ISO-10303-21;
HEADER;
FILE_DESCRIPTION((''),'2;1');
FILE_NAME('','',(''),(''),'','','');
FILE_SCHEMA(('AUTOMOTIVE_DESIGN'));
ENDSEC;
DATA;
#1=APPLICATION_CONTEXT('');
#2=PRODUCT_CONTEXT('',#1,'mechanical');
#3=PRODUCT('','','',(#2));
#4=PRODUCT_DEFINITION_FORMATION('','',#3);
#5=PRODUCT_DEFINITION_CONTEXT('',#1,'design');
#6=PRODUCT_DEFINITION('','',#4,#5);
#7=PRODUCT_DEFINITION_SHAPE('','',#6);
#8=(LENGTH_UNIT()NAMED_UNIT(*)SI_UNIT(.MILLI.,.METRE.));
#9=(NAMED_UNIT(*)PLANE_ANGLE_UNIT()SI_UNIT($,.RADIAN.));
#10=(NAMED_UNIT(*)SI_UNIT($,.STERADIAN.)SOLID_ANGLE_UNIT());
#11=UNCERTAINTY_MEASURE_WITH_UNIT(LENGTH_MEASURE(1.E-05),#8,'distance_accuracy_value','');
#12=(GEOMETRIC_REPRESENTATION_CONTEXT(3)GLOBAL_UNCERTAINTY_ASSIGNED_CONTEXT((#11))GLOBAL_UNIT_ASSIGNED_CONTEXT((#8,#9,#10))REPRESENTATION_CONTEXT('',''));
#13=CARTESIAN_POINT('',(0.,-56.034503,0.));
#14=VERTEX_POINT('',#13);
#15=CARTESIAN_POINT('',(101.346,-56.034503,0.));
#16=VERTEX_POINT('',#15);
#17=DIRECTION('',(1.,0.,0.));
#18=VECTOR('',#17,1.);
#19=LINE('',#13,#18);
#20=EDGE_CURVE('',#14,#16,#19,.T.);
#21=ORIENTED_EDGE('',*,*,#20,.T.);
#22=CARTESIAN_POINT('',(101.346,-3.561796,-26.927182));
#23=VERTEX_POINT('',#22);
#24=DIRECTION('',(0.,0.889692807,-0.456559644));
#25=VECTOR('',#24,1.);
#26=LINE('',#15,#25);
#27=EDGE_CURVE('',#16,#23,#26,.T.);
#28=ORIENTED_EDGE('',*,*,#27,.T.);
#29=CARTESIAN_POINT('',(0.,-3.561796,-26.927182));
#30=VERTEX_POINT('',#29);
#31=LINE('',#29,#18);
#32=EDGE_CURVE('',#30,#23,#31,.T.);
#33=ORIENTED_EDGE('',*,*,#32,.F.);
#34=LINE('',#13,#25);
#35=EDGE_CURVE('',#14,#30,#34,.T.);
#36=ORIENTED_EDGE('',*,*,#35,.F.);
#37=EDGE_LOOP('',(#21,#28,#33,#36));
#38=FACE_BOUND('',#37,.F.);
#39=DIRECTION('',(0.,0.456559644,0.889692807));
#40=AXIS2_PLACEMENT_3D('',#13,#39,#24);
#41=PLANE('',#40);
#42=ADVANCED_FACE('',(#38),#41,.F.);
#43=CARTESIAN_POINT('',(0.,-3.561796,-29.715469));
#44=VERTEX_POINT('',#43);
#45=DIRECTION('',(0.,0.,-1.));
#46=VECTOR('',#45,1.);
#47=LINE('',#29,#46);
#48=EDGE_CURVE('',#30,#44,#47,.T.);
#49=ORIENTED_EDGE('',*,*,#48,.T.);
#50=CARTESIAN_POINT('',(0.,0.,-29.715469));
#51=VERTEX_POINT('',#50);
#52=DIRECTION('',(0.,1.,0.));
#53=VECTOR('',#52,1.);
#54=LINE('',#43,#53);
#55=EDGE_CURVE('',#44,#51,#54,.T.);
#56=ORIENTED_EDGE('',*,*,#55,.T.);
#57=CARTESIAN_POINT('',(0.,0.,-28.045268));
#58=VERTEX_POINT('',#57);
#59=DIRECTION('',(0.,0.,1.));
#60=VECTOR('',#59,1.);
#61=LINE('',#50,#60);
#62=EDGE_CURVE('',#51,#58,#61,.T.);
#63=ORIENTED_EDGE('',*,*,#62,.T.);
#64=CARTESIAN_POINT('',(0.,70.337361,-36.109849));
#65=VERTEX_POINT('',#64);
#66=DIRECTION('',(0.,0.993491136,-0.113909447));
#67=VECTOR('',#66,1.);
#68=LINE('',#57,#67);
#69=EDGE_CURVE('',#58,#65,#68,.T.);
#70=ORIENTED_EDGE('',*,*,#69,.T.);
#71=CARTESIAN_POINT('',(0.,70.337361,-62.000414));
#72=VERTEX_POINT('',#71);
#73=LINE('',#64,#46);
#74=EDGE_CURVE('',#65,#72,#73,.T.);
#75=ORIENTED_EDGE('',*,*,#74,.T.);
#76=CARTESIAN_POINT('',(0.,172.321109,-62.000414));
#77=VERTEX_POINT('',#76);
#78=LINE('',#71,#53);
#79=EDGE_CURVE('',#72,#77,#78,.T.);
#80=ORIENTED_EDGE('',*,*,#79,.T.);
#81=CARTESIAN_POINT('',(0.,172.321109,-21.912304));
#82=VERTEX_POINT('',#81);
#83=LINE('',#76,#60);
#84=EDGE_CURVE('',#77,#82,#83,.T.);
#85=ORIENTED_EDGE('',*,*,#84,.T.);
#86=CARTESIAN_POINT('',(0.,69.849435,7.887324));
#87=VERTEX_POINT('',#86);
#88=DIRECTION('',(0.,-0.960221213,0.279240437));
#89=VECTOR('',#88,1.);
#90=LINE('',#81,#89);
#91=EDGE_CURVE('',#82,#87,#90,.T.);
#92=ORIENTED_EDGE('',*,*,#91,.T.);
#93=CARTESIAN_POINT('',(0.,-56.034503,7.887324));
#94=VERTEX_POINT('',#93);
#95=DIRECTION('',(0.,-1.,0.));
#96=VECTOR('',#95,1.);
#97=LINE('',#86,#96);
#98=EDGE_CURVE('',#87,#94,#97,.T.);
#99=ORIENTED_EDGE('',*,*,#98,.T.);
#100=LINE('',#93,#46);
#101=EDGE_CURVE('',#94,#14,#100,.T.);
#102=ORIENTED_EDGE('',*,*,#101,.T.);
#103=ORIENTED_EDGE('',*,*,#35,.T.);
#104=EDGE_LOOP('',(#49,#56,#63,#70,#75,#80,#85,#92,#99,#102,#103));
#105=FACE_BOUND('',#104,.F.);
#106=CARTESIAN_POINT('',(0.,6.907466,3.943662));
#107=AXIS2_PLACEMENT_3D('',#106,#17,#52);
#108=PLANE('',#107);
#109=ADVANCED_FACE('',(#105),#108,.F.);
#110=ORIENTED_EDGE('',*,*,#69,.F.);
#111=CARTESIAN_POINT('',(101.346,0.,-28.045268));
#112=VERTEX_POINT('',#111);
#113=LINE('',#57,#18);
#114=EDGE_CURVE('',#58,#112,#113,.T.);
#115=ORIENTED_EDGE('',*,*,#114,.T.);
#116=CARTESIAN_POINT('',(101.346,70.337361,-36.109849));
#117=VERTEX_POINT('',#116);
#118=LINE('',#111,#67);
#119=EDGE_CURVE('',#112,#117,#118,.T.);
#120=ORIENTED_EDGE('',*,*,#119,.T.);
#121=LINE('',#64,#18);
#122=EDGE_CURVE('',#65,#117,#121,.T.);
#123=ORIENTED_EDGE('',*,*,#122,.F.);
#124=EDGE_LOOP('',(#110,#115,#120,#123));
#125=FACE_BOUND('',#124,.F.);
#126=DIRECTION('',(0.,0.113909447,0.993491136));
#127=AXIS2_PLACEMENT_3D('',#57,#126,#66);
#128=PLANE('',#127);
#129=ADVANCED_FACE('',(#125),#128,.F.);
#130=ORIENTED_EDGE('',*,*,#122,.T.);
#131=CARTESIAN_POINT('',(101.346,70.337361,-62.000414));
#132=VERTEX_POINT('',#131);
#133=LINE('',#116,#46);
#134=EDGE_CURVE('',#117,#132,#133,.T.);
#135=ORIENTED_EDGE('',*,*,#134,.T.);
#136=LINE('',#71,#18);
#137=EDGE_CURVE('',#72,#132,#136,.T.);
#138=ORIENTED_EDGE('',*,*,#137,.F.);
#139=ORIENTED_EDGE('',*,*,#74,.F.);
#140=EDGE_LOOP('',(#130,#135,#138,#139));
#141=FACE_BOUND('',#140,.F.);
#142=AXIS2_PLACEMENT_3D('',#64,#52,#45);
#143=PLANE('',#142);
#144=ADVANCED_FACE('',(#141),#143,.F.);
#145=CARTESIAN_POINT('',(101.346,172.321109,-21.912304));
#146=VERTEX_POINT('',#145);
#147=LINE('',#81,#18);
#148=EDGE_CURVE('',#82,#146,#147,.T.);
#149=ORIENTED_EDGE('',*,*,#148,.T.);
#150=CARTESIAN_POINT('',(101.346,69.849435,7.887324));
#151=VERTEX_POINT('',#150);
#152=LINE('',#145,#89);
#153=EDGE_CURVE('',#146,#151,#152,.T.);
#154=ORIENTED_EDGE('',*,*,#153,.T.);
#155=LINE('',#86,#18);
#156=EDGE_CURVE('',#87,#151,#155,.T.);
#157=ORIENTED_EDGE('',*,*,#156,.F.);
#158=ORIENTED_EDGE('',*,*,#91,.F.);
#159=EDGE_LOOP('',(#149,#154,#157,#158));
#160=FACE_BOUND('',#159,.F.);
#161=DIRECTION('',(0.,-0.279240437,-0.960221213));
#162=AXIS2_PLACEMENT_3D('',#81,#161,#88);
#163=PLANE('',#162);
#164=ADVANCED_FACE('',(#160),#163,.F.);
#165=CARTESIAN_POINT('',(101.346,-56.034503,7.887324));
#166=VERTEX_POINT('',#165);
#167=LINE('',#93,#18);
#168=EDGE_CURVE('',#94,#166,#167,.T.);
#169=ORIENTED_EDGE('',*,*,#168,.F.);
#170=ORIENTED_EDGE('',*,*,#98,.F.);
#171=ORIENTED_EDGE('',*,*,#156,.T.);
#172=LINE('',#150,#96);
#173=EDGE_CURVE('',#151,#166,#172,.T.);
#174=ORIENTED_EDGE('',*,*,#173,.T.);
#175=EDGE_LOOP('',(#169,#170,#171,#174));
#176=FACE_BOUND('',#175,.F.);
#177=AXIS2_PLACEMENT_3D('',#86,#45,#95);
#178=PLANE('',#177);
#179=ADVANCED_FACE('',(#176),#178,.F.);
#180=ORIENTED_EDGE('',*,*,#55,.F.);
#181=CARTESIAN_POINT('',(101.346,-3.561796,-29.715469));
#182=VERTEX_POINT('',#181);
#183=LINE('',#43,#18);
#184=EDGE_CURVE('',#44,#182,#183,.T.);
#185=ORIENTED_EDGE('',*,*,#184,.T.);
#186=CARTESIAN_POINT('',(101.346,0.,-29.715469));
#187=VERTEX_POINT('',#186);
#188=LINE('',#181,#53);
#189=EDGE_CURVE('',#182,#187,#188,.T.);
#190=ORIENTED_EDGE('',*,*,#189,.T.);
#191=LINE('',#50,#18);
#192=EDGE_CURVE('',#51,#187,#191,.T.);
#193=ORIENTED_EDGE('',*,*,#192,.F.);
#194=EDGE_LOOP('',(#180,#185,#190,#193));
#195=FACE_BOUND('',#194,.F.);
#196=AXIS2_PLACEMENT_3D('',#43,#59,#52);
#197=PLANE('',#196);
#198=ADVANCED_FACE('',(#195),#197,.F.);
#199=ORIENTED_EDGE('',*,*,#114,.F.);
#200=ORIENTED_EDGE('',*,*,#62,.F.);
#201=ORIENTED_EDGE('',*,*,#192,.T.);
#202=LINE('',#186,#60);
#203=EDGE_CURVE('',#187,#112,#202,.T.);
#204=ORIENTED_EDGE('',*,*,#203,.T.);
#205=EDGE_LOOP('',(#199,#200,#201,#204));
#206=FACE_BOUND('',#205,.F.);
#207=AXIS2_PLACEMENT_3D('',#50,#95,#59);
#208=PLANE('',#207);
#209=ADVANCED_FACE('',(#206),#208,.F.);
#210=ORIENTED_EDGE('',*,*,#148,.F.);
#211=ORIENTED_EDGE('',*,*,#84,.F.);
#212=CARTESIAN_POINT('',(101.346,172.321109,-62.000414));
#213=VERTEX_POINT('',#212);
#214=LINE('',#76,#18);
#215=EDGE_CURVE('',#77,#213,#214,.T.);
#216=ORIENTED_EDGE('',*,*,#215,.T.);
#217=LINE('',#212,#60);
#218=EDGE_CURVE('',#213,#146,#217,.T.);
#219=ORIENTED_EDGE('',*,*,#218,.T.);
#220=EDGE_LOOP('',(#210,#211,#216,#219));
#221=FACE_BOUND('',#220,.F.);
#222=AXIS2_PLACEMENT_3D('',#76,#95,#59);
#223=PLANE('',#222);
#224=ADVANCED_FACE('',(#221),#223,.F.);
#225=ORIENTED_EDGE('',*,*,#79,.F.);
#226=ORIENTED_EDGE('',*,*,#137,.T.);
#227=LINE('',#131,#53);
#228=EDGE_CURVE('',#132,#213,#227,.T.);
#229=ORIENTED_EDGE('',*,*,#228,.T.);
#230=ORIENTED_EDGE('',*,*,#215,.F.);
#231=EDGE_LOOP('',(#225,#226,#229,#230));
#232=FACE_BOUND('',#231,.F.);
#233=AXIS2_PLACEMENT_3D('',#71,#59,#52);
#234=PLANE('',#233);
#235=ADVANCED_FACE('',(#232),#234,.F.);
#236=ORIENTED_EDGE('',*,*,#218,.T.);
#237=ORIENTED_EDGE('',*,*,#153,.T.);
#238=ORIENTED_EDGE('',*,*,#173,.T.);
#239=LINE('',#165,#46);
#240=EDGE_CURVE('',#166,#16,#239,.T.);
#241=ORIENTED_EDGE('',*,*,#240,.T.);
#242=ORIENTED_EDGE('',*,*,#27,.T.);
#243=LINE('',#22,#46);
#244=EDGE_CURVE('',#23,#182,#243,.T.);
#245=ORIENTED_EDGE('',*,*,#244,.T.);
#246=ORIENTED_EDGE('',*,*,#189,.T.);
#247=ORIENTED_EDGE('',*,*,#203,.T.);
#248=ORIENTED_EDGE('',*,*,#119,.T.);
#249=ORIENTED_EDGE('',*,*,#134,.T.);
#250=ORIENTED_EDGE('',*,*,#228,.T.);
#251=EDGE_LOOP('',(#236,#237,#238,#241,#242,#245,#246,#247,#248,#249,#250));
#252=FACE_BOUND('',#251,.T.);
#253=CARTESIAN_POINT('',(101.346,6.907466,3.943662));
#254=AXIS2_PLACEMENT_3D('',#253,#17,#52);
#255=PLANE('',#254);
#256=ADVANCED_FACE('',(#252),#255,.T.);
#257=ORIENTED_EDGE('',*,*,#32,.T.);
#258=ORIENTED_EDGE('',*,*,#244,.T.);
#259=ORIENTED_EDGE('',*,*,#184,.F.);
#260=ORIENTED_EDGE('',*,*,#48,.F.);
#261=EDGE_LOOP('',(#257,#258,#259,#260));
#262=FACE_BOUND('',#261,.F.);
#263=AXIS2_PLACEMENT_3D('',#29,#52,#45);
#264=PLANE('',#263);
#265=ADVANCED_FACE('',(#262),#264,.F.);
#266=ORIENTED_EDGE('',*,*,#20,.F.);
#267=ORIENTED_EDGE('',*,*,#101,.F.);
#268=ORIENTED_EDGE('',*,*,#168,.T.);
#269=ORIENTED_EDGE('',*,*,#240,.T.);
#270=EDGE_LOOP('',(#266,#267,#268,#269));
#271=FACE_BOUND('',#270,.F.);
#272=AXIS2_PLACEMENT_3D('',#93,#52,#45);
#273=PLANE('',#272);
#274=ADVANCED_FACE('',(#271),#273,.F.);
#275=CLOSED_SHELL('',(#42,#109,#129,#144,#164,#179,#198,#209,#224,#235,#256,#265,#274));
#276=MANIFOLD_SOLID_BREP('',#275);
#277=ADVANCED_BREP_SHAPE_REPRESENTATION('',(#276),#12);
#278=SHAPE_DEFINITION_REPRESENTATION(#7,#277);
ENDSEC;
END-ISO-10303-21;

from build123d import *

# Parameters (mm, degrees)
F1_DEPTH = 101.346


with BuildPart() as f1:
    # F0 (on Right) → F1 (new body)
    with BuildSketch(Plane.YZ):
        Polygon((-56.0345028671, 7.8873237809), (-56.0345028671, 0), (5.6948743481, 0), (69.8494351029, 0), (69.8494351029, 7.8873237809), align=None)
        Polygon((5.6948743481, 0), (-56.0345028671, 0), (-3.5617963654, -26.9271820488), (-3.5617963654, -25.9666857012), (0, -25.9666857012), (0, -28.0452677073), (70.3373606324, -36.1098488152), (70.3373606324, -21.9123043052), (69.8494351029, 0), align=None)
        Polygon((-1.7808981827, -27.8410775342), (-3.5617963654, -26.9271820488), (-3.5617963654, -29.7154693672), (0, -29.7154693672), (0, -28.0452677073), align=None)
        Polygon((-3.5617963654, -25.9666857012), (-3.5617963654, -26.9271820488), (-1.7808981827, -27.8410775342), (0, -28.0452677073), (0, -25.9666857012), align=None)
        Polygon((172.3211090088, -21.9123043052), (69.8494351029, 0), (70.3373606324, -21.9123043052), align=None)
        Polygon((69.8494351029, 7.8873237809), (69.8494351029, 0), (172.3211090088, -21.9123043052), align=None)
        Polygon((172.3211090088, -21.9123043052), (70.3373606324, -21.9123043052), (70.3373606324, -36.1098488152), (70.3373606324, -62.0004139772), (172.3211090088, -62.0004139772), align=None)
    extrude(amount=F1_DEPTH)


solid = f1.part
